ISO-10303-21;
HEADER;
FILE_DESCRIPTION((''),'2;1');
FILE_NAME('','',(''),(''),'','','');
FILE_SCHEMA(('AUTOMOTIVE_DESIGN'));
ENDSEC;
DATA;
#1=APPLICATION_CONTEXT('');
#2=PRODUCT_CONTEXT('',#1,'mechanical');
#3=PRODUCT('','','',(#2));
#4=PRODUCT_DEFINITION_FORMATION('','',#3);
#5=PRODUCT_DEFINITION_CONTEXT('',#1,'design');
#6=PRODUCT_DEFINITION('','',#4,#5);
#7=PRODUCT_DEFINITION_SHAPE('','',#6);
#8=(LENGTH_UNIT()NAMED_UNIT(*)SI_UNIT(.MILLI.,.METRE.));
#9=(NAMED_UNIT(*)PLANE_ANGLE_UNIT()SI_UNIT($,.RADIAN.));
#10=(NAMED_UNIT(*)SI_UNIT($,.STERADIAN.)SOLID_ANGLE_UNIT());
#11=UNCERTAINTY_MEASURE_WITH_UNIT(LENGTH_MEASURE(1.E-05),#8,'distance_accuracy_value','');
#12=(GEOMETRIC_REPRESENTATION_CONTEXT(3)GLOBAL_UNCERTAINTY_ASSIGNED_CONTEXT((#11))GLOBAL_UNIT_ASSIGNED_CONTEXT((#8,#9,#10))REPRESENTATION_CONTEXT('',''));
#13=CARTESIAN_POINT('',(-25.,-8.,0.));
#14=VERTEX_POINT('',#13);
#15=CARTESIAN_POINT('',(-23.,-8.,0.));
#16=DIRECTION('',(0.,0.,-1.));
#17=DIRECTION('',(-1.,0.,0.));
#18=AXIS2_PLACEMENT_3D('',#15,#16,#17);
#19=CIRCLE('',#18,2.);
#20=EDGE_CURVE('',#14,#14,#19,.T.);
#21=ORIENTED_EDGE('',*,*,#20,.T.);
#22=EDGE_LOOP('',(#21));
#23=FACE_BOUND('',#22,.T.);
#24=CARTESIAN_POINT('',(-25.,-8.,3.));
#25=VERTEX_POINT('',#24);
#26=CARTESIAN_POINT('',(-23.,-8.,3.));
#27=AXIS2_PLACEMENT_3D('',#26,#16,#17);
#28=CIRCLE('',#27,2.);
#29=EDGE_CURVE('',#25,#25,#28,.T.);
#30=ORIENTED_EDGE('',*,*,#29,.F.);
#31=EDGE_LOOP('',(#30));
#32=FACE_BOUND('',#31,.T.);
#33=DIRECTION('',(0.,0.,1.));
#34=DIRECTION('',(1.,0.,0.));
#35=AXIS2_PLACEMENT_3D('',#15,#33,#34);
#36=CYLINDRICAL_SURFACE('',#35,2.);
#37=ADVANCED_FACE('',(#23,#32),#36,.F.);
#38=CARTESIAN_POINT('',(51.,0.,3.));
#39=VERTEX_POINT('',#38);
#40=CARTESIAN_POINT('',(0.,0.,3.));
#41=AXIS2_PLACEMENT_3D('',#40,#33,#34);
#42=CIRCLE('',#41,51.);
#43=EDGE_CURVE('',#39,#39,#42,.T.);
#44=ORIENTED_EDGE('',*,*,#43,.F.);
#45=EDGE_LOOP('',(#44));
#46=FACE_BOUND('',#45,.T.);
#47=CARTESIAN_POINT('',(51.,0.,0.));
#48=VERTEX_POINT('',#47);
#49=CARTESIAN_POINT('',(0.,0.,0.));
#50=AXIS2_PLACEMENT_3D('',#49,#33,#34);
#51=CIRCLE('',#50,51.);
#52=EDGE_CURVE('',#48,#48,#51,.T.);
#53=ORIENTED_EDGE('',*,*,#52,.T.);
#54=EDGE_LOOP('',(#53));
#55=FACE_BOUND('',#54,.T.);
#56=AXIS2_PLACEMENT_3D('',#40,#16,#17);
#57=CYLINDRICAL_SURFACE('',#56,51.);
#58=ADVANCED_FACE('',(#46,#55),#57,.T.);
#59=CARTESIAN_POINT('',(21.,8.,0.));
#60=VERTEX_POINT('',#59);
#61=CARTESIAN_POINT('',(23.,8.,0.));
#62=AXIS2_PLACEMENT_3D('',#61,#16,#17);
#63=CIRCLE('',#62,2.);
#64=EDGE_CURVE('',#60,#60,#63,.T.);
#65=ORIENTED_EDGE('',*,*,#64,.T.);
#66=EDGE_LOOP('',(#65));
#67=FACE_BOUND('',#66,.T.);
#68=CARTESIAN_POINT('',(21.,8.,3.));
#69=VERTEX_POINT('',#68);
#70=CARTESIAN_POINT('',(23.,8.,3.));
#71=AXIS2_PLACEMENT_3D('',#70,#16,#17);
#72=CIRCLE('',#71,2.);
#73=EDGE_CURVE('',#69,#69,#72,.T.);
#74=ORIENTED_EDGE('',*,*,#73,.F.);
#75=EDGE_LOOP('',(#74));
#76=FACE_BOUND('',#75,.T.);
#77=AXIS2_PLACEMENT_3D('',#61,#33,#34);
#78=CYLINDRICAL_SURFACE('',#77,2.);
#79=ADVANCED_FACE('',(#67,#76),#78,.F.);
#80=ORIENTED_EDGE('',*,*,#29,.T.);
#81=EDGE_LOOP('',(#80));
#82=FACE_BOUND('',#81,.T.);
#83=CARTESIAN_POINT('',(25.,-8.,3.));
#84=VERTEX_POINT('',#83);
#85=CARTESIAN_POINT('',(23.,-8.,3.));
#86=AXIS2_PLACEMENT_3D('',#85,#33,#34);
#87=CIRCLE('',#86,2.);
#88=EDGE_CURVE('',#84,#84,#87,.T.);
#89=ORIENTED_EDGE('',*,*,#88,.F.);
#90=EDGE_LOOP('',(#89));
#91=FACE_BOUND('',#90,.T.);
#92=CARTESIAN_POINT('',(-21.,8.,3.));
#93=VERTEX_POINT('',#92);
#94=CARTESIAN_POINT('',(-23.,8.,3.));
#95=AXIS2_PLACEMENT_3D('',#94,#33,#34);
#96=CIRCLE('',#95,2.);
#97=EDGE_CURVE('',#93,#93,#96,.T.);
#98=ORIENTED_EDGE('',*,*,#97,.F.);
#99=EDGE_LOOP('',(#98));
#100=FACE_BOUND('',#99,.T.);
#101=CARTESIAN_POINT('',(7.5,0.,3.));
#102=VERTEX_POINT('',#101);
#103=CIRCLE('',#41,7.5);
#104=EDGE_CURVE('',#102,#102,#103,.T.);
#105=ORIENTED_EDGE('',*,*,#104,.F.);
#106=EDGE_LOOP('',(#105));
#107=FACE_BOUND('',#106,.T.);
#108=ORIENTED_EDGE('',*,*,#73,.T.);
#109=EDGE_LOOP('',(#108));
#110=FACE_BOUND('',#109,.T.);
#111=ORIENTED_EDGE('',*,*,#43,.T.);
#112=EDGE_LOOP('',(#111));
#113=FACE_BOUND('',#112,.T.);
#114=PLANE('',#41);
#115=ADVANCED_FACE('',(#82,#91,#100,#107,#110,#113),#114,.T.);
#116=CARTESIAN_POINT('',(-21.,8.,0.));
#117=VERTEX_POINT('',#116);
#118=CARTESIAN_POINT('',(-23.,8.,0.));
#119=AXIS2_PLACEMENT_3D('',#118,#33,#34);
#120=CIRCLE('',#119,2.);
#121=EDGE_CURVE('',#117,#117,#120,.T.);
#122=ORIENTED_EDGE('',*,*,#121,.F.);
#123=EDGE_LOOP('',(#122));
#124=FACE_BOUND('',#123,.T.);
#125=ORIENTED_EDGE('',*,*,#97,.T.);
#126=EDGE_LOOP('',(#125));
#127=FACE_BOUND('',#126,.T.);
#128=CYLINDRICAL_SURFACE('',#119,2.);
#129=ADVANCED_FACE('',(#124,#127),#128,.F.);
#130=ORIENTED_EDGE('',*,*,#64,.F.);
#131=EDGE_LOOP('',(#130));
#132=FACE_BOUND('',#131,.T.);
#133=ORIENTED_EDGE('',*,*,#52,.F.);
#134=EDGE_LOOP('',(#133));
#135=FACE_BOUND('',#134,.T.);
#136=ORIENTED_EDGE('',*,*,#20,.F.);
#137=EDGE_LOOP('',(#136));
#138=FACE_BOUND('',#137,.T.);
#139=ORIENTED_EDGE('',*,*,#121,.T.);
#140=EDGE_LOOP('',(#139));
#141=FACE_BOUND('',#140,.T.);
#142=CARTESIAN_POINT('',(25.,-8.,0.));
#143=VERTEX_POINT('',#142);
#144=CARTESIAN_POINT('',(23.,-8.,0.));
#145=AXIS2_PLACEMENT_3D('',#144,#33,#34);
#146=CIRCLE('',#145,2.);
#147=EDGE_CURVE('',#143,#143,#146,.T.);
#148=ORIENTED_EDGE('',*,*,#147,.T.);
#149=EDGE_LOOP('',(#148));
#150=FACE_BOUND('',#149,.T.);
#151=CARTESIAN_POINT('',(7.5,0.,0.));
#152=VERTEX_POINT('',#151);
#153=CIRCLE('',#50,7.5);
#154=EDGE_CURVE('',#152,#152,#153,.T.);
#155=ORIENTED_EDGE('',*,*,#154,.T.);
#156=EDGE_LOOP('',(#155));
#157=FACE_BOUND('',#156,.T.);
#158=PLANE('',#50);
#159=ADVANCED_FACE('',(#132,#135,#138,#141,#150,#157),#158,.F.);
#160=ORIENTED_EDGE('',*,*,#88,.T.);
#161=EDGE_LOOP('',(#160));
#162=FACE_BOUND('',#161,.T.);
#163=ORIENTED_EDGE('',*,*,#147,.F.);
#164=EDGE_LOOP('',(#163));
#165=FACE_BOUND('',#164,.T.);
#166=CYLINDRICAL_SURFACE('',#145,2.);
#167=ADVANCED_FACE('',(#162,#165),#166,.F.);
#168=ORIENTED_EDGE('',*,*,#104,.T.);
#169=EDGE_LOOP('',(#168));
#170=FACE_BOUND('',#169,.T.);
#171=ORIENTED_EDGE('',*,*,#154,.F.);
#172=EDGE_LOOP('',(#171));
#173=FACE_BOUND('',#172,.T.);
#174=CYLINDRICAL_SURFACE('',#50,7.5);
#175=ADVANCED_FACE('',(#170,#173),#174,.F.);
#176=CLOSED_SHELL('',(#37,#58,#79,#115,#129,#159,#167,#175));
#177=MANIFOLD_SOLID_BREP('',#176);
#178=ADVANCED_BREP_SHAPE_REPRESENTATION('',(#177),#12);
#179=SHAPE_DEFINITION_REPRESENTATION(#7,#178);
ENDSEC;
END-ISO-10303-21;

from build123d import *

# Parameters (mm, degrees)
SKETCH_1_R          = 51
EXTRUDE_1_DEPTH     = 3
SKETCH_2_R          = 7.5
CUT_EXTRUDE_1_DEPTH = 3
SKETCH_3_R          = 2
CUT_EXTRUDE_2_DEPTH = 3


with BuildPart() as part:
    # 스케치1 → 보스-돌출1 (new body)
    with BuildSketch(Plane.XY):
        Circle(SKETCH_1_R)
    extrude(amount=EXTRUDE_1_DEPTH)

    # 스케치2 → 컷-돌출1 (cut)
    with BuildSketch(Plane.XY.offset(3)):
        Circle(SKETCH_2_R)
    extrude(amount=-CUT_EXTRUDE_1_DEPTH, mode=Mode.SUBTRACT)

    # 스케치3 → 컷-돌출2 (cut)
    with BuildSketch(Plane.XY.offset(3)):
        with Locations((-23, 8)):
            Circle(SKETCH_3_R)
        with Locations(Location((-23, -8, 0), (0, 0, 180))):
            Circle(SKETCH_3_R)
        with Locations((23, -8)):
            Circle(SKETCH_3_R)
        with Locations(Location((23, 8, 0), (0, 0, 180))):
            Circle(SKETCH_3_R)
    extrude(amount=-CUT_EXTRUDE_2_DEPTH, mode=Mode.SUBTRACT)


solid = part.part
